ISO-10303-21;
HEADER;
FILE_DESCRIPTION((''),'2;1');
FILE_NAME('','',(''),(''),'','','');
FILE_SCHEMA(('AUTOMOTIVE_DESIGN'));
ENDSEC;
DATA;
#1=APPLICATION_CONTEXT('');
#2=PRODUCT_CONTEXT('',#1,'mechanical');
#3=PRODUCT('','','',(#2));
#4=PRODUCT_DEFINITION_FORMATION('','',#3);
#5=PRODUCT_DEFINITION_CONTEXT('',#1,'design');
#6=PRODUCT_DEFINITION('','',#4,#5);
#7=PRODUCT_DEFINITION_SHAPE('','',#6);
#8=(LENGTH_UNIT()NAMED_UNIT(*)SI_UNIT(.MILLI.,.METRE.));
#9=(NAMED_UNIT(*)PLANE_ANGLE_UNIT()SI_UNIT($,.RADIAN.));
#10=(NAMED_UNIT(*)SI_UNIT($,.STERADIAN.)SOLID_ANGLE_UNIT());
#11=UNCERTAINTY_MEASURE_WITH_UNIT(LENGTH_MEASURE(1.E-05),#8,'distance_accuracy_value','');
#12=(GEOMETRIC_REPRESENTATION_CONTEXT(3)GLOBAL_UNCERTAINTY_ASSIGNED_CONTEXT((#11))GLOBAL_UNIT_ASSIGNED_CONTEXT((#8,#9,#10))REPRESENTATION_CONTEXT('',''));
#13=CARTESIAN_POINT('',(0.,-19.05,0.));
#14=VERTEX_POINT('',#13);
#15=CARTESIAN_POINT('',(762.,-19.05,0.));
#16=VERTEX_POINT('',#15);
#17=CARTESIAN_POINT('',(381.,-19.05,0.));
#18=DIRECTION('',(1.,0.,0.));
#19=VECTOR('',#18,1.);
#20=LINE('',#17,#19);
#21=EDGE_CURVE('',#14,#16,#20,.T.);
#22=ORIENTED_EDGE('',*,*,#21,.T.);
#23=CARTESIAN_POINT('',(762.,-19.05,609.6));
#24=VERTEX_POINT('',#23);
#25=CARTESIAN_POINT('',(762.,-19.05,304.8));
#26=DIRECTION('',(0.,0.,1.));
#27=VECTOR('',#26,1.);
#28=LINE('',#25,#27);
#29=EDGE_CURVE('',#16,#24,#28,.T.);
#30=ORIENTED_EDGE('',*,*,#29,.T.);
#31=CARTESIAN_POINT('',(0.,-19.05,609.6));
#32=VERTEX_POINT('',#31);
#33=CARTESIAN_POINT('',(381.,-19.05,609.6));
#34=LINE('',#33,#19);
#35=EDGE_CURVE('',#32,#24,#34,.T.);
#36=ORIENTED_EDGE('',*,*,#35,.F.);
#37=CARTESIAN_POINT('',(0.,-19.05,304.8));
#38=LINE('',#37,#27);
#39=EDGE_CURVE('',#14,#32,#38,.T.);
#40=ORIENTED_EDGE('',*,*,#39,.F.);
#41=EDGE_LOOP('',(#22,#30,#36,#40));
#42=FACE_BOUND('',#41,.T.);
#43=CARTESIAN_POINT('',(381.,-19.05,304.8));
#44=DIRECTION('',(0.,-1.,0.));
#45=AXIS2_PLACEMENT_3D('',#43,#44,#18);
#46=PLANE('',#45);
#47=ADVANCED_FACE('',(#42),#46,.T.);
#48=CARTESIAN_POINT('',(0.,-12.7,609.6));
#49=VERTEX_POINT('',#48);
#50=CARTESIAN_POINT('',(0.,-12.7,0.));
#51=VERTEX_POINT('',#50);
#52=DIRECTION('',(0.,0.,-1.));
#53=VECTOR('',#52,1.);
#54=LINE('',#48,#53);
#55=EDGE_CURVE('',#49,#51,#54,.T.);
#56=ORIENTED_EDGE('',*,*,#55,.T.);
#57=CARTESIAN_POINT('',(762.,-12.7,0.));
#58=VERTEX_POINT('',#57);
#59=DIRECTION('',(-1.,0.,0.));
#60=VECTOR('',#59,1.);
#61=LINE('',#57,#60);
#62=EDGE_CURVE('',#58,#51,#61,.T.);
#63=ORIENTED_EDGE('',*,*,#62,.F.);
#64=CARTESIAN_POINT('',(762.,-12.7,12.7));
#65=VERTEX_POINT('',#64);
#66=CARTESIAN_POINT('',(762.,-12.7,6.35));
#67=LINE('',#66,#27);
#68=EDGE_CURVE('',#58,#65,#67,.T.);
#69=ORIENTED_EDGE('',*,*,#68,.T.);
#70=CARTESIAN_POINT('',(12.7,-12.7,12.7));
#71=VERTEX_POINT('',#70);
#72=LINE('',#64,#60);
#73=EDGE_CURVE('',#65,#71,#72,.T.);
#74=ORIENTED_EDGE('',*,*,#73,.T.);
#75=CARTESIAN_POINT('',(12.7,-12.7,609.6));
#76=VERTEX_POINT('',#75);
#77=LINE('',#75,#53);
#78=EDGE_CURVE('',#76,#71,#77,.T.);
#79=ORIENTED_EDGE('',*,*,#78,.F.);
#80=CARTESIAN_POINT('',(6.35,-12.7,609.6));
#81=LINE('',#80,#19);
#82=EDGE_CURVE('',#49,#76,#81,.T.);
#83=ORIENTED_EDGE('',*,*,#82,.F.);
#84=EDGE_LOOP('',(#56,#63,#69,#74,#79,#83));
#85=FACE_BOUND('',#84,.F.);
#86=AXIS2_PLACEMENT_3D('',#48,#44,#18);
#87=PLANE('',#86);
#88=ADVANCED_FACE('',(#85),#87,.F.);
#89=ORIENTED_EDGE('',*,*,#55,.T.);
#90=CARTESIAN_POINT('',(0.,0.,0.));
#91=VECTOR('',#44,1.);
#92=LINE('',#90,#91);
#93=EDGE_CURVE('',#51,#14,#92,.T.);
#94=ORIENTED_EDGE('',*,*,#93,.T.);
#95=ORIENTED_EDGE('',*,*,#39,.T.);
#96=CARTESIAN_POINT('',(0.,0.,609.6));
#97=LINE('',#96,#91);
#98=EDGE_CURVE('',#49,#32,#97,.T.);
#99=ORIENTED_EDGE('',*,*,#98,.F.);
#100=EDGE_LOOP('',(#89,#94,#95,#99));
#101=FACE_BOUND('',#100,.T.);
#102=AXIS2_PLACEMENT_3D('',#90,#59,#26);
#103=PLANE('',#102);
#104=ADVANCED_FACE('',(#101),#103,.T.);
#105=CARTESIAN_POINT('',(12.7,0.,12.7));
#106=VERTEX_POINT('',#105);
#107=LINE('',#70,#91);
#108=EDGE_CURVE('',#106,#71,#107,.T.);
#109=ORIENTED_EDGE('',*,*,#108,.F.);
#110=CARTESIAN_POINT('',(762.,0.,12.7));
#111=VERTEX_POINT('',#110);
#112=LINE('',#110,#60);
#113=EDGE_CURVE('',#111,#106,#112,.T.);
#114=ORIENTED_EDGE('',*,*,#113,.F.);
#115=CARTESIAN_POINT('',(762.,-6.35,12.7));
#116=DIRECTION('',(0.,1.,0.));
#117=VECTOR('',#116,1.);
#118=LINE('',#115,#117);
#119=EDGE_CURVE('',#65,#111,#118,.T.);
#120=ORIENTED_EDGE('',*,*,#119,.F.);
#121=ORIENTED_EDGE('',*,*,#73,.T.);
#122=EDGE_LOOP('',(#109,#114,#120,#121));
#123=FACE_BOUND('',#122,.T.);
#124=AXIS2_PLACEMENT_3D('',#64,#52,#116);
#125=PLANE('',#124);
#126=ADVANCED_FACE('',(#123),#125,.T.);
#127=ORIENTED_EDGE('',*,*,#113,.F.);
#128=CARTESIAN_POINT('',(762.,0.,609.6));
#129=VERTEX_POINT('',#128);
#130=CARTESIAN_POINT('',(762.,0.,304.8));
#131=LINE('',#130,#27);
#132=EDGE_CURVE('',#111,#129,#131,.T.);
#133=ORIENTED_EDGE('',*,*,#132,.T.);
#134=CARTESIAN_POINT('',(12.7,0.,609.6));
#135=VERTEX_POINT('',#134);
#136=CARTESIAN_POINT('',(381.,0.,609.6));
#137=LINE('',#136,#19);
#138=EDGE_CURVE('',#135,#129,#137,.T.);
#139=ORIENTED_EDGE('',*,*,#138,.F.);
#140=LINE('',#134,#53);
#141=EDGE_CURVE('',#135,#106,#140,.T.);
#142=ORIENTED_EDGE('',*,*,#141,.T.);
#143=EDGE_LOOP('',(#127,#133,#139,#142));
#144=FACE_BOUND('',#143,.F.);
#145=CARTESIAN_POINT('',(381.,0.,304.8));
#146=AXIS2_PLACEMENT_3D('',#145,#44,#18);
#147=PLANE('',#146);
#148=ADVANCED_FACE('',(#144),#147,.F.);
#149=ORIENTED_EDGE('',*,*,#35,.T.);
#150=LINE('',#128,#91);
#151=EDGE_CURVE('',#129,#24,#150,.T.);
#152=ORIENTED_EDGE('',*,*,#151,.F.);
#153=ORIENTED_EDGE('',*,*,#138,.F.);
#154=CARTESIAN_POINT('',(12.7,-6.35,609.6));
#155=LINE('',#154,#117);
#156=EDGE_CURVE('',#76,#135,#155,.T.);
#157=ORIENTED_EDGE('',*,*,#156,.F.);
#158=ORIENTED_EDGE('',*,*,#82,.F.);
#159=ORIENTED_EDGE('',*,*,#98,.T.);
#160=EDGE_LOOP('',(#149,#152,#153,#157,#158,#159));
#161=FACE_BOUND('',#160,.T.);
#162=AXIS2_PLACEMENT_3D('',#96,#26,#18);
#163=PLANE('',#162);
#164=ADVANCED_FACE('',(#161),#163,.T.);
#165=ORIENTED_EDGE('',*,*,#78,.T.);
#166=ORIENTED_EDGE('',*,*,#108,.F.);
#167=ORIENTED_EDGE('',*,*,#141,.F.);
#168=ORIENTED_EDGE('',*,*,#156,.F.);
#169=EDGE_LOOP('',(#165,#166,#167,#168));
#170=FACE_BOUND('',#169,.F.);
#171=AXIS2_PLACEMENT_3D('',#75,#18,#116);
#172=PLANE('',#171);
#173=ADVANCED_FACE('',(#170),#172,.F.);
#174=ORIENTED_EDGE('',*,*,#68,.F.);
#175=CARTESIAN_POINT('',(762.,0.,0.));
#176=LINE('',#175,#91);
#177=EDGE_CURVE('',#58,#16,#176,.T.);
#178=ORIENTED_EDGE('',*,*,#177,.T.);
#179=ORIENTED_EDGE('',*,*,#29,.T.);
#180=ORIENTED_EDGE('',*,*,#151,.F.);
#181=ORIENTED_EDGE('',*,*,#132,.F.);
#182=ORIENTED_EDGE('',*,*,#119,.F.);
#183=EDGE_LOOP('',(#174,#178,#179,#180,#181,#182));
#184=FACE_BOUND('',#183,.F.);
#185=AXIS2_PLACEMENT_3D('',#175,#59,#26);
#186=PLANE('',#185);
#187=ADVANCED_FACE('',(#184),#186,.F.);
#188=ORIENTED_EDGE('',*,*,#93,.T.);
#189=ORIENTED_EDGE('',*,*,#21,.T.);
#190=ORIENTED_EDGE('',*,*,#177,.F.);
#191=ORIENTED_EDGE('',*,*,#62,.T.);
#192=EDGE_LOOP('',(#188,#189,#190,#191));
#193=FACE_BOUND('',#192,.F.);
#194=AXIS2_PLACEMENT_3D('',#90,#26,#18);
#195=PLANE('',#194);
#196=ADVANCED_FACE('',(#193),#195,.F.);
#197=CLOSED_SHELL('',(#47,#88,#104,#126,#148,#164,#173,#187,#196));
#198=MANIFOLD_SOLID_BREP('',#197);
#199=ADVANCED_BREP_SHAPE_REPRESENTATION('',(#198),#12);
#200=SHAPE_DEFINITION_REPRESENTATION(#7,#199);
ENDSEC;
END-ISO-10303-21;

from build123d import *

# Parameters (mm, degrees)
F0_W     = 762
F0_H     = 609.6
F1_DEPTH = 19.05
F2_W     = 12.7
F2_H     = 12.7
F3_DEPTH = 762.001
F4_W     = 12.7
F4_H     = 12.7
F5_DEPTH = 609.601


with BuildPart() as f1:
    # F0 (on Front) → F1 (new body)
    with BuildSketch(Plane.XZ):
        with Locations((381, 304.8)):
            Rectangle(F0_W, F0_H)
    extrude(amount=F1_DEPTH)

    # F2 (on face) → F3 (cut, through all)
    with BuildSketch(Plane.YZ.offset(762)):
        with Locations((-6.35, 6.35)):
            Rectangle(F2_W, F2_H)
    extrude(amount=-F3_DEPTH, mode=Mode.SUBTRACT)

    # F4 (on face) → F5 (cut, through all)
    with BuildSketch(Plane.XY.offset(609.6)):
        with Locations((6.35, -6.35)):
            Rectangle(F4_W, F4_H)
    extrude(amount=-F5_DEPTH, mode=Mode.SUBTRACT)


solid = f1.part
